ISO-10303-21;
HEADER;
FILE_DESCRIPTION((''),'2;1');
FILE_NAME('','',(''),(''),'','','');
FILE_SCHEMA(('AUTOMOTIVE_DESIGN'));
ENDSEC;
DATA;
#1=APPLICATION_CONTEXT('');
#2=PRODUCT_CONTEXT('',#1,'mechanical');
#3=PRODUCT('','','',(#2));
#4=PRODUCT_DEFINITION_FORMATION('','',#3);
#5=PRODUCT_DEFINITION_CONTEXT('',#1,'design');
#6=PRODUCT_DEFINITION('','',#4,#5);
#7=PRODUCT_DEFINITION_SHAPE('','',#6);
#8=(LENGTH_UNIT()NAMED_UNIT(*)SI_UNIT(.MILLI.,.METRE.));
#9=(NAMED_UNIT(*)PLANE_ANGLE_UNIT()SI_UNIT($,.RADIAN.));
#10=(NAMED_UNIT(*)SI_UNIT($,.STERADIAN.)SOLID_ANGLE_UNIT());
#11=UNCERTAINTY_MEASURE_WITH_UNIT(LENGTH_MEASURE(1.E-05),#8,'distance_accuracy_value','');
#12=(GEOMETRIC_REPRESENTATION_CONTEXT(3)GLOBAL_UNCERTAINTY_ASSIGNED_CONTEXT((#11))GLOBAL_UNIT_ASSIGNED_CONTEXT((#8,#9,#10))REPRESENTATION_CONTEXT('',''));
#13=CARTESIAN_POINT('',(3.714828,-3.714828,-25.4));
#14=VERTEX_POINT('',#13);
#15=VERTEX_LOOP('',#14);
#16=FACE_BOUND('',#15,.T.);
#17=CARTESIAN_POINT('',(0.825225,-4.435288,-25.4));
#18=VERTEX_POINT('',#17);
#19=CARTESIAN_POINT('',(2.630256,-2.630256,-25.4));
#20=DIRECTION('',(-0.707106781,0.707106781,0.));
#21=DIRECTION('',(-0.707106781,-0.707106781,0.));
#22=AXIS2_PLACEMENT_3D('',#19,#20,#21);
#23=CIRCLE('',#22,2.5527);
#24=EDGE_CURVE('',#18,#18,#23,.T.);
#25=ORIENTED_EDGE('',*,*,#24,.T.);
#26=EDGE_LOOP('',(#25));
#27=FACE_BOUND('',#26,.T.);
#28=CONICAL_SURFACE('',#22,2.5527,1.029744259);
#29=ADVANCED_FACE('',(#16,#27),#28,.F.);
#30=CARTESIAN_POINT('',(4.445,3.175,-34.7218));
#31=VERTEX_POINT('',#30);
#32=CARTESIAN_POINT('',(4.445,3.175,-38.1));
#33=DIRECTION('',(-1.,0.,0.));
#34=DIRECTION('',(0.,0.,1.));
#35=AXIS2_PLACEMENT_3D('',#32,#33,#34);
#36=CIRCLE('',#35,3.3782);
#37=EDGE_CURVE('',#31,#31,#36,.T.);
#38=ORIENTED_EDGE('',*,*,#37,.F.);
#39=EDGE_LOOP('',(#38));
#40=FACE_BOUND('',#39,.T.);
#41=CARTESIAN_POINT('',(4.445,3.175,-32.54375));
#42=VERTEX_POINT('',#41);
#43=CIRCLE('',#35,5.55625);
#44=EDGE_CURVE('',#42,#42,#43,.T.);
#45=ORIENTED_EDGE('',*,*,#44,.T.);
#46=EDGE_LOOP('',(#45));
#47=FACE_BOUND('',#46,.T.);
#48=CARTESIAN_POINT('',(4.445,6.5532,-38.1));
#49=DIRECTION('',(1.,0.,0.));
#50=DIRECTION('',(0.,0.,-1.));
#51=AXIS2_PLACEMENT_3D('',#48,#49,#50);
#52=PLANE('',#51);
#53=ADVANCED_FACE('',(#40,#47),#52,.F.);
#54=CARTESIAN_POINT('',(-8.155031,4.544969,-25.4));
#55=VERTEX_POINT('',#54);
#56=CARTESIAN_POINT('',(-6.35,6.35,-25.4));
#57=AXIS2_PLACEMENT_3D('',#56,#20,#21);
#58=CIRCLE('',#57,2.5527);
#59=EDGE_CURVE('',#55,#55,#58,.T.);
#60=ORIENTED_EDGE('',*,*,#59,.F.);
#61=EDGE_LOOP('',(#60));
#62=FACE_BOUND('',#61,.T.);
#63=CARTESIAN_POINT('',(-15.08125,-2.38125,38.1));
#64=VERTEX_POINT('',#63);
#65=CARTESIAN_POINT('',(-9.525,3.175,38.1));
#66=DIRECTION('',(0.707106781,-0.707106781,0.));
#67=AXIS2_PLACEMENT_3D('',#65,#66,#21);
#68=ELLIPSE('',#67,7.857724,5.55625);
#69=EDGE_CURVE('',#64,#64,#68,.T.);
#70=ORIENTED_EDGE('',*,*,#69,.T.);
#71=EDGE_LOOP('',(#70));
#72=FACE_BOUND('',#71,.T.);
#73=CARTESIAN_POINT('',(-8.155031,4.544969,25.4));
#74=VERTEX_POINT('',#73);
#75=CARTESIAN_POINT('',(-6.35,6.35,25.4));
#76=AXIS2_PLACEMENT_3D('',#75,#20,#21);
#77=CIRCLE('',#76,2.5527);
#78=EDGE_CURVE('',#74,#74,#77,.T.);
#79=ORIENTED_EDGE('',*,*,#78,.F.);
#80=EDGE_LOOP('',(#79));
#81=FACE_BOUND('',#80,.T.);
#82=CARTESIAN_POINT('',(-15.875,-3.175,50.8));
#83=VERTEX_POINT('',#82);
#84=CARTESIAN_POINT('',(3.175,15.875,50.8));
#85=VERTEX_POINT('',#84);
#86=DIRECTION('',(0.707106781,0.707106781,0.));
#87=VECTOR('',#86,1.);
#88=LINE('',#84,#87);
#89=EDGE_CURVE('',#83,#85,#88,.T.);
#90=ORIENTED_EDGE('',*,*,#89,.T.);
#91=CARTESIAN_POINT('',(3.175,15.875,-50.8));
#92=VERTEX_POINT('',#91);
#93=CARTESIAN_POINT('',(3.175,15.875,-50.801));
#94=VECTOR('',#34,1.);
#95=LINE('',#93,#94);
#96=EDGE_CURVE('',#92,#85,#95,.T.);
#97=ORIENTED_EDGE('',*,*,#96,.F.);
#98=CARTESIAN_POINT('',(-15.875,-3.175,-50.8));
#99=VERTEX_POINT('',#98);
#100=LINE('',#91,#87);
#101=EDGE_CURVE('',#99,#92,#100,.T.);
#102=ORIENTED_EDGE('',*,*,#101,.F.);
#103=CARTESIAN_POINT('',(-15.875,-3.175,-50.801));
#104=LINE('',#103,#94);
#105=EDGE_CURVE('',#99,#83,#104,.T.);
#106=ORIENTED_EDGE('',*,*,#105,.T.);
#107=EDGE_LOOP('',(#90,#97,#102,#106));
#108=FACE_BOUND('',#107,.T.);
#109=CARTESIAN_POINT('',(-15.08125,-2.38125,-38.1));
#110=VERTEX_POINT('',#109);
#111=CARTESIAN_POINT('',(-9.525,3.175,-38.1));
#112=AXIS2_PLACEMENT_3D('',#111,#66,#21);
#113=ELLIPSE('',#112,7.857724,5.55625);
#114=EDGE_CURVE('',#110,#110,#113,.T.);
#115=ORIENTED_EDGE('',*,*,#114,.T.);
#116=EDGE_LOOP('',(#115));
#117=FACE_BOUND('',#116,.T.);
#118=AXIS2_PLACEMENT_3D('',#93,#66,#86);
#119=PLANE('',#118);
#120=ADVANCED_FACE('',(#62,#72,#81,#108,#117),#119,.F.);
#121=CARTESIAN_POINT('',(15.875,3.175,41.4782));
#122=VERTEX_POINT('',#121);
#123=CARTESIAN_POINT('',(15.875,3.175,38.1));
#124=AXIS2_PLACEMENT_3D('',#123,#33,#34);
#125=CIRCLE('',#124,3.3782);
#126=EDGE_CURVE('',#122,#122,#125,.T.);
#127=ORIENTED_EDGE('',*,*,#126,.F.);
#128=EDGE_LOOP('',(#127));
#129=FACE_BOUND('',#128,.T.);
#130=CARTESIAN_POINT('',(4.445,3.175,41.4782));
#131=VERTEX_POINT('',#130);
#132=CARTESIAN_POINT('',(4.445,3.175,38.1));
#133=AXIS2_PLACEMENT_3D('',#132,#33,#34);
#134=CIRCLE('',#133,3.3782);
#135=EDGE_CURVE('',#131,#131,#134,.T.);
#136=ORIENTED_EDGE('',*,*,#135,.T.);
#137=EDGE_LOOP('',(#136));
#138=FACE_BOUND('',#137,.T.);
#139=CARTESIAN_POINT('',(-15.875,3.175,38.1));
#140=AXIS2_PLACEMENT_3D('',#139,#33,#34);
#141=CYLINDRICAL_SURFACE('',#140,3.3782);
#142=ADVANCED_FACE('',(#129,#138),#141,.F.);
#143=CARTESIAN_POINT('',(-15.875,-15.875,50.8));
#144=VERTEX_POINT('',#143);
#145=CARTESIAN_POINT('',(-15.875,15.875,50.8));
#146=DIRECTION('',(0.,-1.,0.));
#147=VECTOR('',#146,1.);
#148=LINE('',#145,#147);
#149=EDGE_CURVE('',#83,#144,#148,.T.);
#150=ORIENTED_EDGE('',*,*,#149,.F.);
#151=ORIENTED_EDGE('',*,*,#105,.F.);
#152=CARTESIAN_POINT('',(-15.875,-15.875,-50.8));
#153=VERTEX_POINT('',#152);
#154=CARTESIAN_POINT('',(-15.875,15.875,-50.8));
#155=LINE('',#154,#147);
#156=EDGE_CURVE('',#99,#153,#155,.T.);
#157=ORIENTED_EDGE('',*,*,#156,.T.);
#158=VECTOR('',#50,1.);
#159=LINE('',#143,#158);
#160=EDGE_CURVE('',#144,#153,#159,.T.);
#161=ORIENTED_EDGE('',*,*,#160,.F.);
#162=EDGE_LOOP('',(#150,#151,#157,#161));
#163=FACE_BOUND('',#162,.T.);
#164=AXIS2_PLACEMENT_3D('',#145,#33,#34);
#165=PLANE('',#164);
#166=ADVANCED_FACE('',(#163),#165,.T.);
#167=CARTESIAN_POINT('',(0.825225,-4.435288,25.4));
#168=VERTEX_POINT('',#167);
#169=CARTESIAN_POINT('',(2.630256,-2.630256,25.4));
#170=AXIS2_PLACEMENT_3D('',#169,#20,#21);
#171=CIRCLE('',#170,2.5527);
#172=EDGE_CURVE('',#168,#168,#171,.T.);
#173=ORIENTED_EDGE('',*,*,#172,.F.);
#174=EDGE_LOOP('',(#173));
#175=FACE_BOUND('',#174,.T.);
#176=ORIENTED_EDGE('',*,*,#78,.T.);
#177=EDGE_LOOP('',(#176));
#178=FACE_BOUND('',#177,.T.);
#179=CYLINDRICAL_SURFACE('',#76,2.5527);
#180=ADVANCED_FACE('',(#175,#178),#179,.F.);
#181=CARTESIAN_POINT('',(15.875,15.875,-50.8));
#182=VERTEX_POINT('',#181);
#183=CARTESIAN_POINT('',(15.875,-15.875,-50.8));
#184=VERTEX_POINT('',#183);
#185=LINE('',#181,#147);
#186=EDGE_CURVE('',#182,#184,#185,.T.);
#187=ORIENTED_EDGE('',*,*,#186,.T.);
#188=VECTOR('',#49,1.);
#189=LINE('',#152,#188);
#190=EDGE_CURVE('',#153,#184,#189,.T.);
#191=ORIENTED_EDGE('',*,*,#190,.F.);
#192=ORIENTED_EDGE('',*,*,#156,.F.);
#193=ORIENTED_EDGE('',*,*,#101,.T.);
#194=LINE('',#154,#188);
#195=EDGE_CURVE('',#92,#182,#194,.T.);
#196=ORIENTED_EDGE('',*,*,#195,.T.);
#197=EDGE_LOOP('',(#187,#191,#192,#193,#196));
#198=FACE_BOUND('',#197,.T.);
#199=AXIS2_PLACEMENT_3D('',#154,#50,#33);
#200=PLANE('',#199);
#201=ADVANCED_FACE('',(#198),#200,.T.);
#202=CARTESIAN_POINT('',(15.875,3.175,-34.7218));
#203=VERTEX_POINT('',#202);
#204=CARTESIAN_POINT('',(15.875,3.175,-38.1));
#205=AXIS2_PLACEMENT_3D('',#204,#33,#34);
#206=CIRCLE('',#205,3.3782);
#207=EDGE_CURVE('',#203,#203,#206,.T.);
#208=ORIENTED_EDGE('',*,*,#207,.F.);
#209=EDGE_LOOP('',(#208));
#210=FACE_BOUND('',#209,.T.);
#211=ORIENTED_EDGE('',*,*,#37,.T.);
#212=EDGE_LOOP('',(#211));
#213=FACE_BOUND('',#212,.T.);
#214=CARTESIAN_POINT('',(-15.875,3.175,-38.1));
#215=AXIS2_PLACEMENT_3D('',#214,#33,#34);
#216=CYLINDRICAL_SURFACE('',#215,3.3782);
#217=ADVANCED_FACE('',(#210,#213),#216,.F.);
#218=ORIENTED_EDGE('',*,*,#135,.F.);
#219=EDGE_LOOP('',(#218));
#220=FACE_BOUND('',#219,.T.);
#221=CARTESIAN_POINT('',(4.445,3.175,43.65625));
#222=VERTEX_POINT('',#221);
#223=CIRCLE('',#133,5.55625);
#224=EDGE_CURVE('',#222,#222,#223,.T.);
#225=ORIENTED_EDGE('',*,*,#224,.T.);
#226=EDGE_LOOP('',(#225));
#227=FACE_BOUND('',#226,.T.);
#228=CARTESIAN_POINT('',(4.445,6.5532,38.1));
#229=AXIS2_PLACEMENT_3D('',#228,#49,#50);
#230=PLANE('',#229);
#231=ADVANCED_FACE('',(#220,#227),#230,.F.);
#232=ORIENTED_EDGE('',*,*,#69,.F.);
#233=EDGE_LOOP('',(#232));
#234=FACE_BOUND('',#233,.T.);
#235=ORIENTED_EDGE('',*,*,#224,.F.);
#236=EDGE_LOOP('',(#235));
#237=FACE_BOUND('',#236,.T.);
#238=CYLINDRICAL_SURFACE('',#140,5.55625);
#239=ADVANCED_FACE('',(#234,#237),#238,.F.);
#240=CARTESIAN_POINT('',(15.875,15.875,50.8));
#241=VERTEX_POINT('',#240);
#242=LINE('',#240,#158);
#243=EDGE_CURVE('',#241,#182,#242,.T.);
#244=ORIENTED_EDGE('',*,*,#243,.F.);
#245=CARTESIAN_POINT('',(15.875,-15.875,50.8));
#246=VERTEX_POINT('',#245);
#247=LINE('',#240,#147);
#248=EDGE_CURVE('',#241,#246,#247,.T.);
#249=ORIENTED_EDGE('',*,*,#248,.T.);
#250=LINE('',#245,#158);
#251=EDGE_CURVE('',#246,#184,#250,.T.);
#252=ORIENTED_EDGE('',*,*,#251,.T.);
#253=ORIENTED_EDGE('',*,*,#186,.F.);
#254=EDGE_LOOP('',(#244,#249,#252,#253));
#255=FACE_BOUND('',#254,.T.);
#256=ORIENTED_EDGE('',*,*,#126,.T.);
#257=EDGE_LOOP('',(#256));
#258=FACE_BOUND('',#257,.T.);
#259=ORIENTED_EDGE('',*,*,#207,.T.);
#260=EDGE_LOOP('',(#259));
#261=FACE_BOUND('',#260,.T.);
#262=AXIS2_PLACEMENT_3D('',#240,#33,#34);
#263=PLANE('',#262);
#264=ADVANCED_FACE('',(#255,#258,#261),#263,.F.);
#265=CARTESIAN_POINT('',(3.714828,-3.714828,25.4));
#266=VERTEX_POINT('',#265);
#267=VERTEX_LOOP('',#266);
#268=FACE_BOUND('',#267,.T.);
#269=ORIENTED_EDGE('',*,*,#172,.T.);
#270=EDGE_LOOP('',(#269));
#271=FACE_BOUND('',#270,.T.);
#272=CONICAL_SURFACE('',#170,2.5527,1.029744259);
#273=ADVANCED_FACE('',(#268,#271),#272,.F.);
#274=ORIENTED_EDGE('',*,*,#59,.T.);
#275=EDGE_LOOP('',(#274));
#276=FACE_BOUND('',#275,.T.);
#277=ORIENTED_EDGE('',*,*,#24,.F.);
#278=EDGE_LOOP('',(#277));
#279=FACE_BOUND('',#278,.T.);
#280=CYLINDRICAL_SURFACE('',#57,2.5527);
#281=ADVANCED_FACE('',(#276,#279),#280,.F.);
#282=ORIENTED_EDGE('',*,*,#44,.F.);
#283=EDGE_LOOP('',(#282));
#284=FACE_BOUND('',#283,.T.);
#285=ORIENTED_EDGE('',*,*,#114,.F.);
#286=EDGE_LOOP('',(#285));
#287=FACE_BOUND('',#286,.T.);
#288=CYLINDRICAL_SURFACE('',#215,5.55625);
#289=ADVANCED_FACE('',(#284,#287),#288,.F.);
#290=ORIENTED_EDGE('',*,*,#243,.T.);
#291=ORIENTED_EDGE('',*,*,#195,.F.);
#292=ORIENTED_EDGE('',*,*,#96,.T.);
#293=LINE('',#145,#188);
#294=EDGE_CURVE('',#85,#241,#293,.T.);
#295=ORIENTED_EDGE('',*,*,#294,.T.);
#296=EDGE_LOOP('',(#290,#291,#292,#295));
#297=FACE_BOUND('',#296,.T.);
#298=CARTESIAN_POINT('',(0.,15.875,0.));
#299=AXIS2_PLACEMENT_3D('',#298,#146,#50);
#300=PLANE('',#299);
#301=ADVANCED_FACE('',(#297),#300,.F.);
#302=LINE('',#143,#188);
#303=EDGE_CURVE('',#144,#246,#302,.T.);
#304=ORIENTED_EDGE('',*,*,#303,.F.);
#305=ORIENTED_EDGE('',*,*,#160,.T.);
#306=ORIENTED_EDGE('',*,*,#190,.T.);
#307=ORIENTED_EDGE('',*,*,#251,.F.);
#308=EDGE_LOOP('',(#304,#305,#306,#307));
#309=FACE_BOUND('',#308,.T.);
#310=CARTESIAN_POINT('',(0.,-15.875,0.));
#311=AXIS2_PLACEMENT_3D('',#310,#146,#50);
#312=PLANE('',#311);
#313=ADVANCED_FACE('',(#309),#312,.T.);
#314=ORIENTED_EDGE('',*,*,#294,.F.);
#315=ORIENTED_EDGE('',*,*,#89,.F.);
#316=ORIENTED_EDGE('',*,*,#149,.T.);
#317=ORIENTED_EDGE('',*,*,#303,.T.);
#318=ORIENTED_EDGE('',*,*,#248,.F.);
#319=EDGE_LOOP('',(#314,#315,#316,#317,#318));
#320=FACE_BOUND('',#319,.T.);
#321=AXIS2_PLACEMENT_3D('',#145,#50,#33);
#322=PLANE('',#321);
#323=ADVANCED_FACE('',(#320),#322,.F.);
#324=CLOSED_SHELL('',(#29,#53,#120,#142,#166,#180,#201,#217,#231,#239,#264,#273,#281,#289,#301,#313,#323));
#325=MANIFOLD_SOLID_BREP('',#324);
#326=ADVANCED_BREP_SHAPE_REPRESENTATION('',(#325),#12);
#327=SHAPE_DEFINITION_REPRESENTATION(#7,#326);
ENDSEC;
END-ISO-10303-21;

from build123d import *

# Parameters (mm, degrees)
SKETCH1_W                                        = 31.75
SKETCH1_H                                        = 101.6
BOSS_EXTRUDE1_DEPTH                              = 15.875
CUT_EXTRUDE1_REACH                               = 106.051
F_1_4_20_TAPPED_HOLE1_D                          = 5.1054
F_1_4_20_TAPPED_HOLE1_DEPTH                      = 12.7
F_1_4_20_TAPPED_HOLE1_TIP                        = 1.533816902
CBORE_FOR_1_4_SOCKET_HEAD_CAP_SCREW1_D           = 6.7564
CBORE_FOR_1_4_SOCKET_HEAD_CAP_SCREW1_CBORE_D     = 11.1125
CBORE_FOR_1_4_SOCKET_HEAD_CAP_SCREW1_CBORE_DEPTH = 20.32


with BuildPart() as part:
    # Sketch1 → Boss-Extrude1 (new, symmetric)
    with BuildSketch(Plane(origin=(0, 0, 0), x_dir=(1, 0, 0), z_dir=(0, 1, 0))):
        Rectangle(SKETCH1_W, SKETCH1_H)
    extrude(amount=BOSS_EXTRUDE1_DEPTH, both=True)

    # Sketch2 → Cut-Extrude1 (cut, up to next)
    with BuildSketch(Plane.XY.offset(50.8), mode=Mode.PRIVATE) as cut_extrude1_sk1:
        Polygon((-15.875, -3.175), (-15.875, 15.875), (3.175, 15.875), align=None)
    cut_extrude1_tool1 = extrude(cut_extrude1_sk1.sketch, amount=-CUT_EXTRUDE1_REACH, mode=Mode.PRIVATE) & part.part
    add(cut_extrude1_tool1.solids().sort_by_distance((-9.525, 9.525, 50.8))[0], mode=Mode.SUBTRACT)

    # 1/4-20 Tapped Hole1
    with Locations(Plane(origin=(-6.35, 6.35, 0), x_dir=(0, 0, 1), z_dir=(-0.7071067811865513, 0.7071067811865438, 0))):
        with Locations((-25.4, 0), (25.4, 0)):
            Hole(F_1_4_20_TAPPED_HOLE1_D / 2, depth=F_1_4_20_TAPPED_HOLE1_DEPTH)
            with Locations((0, 0, -(F_1_4_20_TAPPED_HOLE1_DEPTH + F_1_4_20_TAPPED_HOLE1_TIP / 2))):  # 118° drill point
                Cone(0, F_1_4_20_TAPPED_HOLE1_D / 2, F_1_4_20_TAPPED_HOLE1_TIP, mode=Mode.SUBTRACT)

    # CBORE for 1/4 Socket Head Cap Screw1 (through all)
    with Locations(Plane.ZY.offset(15.875)):
        with Locations((-38.1, 3.175), (38.1, 3.175)):
            CounterBoreHole(CBORE_FOR_1_4_SOCKET_HEAD_CAP_SCREW1_D / 2, CBORE_FOR_1_4_SOCKET_HEAD_CAP_SCREW1_CBORE_D / 2, CBORE_FOR_1_4_SOCKET_HEAD_CAP_SCREW1_CBORE_DEPTH)


solid = part.part
